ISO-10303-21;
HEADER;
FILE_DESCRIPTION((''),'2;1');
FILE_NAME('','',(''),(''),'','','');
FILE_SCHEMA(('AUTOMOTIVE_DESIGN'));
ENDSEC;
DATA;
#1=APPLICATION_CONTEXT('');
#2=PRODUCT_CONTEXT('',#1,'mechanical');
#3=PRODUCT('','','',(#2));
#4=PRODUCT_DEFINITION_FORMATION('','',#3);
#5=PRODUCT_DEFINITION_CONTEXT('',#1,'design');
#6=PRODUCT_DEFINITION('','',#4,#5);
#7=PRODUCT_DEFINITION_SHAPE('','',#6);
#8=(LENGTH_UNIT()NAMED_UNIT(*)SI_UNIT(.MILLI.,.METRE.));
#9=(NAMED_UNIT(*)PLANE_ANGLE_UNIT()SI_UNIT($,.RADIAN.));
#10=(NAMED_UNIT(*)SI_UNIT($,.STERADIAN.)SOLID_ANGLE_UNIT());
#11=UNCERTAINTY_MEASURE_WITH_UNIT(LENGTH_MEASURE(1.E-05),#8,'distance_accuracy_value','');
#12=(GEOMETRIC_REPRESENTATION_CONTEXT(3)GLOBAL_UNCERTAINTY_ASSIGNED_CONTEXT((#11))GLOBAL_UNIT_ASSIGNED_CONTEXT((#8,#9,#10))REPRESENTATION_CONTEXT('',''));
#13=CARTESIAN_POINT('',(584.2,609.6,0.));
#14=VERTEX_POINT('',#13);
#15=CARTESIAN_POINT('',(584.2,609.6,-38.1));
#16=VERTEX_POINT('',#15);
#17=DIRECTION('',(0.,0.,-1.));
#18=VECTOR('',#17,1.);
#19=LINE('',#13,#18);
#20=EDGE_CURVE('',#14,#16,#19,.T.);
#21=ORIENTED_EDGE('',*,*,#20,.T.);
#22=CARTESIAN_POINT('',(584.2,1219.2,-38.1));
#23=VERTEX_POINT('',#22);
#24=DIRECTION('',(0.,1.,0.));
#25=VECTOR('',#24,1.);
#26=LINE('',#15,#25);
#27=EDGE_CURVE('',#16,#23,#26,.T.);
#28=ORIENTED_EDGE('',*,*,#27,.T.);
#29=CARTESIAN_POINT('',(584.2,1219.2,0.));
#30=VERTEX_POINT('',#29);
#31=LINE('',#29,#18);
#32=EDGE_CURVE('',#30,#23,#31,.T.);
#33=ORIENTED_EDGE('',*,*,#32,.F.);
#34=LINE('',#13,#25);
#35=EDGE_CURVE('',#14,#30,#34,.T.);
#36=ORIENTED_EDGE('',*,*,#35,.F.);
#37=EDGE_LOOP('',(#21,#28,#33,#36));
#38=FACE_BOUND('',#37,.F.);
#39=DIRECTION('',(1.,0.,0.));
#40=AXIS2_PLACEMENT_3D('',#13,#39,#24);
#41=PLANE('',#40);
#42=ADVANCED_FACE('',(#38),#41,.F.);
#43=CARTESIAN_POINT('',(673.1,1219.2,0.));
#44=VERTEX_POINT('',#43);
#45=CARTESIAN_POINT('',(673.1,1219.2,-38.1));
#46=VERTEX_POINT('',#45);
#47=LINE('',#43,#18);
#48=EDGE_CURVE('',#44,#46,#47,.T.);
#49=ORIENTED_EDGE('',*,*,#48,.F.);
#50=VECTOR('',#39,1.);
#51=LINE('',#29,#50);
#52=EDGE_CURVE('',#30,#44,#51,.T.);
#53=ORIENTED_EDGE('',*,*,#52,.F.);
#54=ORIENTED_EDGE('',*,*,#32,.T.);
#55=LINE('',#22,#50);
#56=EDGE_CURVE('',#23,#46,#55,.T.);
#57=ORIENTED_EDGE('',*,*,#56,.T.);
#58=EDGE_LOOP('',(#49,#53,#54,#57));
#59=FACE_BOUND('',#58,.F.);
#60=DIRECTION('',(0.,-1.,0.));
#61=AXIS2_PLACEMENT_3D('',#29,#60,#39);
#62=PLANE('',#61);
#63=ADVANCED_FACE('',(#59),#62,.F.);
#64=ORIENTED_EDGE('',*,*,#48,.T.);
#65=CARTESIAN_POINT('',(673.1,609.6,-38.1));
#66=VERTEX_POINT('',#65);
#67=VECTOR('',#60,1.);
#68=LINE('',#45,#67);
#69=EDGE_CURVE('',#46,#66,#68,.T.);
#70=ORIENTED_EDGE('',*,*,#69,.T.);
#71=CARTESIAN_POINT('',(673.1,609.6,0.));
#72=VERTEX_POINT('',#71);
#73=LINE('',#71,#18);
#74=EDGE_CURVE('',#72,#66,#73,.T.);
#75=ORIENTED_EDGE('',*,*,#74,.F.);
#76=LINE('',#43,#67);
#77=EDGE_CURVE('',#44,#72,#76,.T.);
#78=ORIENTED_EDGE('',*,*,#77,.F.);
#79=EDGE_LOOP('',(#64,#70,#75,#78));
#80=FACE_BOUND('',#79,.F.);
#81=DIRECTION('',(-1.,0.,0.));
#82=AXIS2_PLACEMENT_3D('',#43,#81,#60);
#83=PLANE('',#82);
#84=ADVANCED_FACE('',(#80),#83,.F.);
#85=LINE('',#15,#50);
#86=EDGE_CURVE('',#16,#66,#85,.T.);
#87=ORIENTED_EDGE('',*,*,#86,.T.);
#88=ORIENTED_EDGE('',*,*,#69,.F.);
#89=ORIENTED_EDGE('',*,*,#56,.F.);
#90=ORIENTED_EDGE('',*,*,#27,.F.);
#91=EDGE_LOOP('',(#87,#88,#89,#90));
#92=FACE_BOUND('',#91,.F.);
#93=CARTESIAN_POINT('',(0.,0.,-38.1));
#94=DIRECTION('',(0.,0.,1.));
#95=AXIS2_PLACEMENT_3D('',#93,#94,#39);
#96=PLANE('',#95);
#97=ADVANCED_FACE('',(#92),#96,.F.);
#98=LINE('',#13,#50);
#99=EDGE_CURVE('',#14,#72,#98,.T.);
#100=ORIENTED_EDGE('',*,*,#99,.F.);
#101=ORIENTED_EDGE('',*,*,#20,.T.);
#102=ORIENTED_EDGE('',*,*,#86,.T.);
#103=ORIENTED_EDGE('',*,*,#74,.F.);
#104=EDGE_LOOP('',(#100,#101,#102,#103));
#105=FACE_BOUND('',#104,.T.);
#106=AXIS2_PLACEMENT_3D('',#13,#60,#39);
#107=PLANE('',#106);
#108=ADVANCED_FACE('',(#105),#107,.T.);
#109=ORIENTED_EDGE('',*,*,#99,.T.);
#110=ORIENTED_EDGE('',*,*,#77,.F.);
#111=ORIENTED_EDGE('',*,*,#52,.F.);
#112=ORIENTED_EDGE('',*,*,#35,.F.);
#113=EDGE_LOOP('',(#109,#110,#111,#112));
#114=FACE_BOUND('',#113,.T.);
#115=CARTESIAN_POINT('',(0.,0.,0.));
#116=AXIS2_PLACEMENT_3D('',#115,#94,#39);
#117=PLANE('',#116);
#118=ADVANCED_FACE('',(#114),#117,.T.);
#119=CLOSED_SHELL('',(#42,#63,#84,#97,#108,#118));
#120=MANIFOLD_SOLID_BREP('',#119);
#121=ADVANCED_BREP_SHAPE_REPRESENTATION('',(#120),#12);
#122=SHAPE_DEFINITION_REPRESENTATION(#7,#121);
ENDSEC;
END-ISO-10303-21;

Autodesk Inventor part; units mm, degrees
ref_plane "YZ Plane" through (0, 0, 0) normal (1, 0, 0) x (0, 1, 0)
ref_plane "XZ Plane" through (0, 0, 0) normal (0, 1, 0) x (-1, 0, 0)
ref_plane "XY Plane" through (0, 0, 0) normal (0, 0, 1) x (1, 0, 0)
sketch "Sketch1" plane through (0, 0, 0) normal (0, 0, 1) x (1, 0, 0)
  line L0 (584.2, 1219.2) -> (673.1, 1219.2) projected
  line L1 (88.9, 0) -> (88.9, 1219.2) projected
  line L2 (584.2, 1219.2) -> (-457.2, 1219.2) projected
  line L3 (673.1, 1219.2) -> (673.1, 609.6)
  line L4 (584.2, 609.6) -> (584.2, 1219.2)
  line L5 (584.2, 1219.2) -> (673.1, 1219.2)
  line L6 (673.1, 609.6) -> (88.9, 0)
  line L7 (88.9, 0) -> (88.9, 128.4858)
  line L8 (88.9, 128.4858) -> (549.9678, 609.6)
  line L9 (549.9678, 609.6) -> (584.2, 609.6)
  line L10 (584.2, 609.6) -> (673.1, 609.6)
  point P0 (0, 0)
extrude "Extrusion1" add sketch "Sketch1" against normal blind 38.1 contours L0 L3 L10 L4
properties part number "2x4x24"
